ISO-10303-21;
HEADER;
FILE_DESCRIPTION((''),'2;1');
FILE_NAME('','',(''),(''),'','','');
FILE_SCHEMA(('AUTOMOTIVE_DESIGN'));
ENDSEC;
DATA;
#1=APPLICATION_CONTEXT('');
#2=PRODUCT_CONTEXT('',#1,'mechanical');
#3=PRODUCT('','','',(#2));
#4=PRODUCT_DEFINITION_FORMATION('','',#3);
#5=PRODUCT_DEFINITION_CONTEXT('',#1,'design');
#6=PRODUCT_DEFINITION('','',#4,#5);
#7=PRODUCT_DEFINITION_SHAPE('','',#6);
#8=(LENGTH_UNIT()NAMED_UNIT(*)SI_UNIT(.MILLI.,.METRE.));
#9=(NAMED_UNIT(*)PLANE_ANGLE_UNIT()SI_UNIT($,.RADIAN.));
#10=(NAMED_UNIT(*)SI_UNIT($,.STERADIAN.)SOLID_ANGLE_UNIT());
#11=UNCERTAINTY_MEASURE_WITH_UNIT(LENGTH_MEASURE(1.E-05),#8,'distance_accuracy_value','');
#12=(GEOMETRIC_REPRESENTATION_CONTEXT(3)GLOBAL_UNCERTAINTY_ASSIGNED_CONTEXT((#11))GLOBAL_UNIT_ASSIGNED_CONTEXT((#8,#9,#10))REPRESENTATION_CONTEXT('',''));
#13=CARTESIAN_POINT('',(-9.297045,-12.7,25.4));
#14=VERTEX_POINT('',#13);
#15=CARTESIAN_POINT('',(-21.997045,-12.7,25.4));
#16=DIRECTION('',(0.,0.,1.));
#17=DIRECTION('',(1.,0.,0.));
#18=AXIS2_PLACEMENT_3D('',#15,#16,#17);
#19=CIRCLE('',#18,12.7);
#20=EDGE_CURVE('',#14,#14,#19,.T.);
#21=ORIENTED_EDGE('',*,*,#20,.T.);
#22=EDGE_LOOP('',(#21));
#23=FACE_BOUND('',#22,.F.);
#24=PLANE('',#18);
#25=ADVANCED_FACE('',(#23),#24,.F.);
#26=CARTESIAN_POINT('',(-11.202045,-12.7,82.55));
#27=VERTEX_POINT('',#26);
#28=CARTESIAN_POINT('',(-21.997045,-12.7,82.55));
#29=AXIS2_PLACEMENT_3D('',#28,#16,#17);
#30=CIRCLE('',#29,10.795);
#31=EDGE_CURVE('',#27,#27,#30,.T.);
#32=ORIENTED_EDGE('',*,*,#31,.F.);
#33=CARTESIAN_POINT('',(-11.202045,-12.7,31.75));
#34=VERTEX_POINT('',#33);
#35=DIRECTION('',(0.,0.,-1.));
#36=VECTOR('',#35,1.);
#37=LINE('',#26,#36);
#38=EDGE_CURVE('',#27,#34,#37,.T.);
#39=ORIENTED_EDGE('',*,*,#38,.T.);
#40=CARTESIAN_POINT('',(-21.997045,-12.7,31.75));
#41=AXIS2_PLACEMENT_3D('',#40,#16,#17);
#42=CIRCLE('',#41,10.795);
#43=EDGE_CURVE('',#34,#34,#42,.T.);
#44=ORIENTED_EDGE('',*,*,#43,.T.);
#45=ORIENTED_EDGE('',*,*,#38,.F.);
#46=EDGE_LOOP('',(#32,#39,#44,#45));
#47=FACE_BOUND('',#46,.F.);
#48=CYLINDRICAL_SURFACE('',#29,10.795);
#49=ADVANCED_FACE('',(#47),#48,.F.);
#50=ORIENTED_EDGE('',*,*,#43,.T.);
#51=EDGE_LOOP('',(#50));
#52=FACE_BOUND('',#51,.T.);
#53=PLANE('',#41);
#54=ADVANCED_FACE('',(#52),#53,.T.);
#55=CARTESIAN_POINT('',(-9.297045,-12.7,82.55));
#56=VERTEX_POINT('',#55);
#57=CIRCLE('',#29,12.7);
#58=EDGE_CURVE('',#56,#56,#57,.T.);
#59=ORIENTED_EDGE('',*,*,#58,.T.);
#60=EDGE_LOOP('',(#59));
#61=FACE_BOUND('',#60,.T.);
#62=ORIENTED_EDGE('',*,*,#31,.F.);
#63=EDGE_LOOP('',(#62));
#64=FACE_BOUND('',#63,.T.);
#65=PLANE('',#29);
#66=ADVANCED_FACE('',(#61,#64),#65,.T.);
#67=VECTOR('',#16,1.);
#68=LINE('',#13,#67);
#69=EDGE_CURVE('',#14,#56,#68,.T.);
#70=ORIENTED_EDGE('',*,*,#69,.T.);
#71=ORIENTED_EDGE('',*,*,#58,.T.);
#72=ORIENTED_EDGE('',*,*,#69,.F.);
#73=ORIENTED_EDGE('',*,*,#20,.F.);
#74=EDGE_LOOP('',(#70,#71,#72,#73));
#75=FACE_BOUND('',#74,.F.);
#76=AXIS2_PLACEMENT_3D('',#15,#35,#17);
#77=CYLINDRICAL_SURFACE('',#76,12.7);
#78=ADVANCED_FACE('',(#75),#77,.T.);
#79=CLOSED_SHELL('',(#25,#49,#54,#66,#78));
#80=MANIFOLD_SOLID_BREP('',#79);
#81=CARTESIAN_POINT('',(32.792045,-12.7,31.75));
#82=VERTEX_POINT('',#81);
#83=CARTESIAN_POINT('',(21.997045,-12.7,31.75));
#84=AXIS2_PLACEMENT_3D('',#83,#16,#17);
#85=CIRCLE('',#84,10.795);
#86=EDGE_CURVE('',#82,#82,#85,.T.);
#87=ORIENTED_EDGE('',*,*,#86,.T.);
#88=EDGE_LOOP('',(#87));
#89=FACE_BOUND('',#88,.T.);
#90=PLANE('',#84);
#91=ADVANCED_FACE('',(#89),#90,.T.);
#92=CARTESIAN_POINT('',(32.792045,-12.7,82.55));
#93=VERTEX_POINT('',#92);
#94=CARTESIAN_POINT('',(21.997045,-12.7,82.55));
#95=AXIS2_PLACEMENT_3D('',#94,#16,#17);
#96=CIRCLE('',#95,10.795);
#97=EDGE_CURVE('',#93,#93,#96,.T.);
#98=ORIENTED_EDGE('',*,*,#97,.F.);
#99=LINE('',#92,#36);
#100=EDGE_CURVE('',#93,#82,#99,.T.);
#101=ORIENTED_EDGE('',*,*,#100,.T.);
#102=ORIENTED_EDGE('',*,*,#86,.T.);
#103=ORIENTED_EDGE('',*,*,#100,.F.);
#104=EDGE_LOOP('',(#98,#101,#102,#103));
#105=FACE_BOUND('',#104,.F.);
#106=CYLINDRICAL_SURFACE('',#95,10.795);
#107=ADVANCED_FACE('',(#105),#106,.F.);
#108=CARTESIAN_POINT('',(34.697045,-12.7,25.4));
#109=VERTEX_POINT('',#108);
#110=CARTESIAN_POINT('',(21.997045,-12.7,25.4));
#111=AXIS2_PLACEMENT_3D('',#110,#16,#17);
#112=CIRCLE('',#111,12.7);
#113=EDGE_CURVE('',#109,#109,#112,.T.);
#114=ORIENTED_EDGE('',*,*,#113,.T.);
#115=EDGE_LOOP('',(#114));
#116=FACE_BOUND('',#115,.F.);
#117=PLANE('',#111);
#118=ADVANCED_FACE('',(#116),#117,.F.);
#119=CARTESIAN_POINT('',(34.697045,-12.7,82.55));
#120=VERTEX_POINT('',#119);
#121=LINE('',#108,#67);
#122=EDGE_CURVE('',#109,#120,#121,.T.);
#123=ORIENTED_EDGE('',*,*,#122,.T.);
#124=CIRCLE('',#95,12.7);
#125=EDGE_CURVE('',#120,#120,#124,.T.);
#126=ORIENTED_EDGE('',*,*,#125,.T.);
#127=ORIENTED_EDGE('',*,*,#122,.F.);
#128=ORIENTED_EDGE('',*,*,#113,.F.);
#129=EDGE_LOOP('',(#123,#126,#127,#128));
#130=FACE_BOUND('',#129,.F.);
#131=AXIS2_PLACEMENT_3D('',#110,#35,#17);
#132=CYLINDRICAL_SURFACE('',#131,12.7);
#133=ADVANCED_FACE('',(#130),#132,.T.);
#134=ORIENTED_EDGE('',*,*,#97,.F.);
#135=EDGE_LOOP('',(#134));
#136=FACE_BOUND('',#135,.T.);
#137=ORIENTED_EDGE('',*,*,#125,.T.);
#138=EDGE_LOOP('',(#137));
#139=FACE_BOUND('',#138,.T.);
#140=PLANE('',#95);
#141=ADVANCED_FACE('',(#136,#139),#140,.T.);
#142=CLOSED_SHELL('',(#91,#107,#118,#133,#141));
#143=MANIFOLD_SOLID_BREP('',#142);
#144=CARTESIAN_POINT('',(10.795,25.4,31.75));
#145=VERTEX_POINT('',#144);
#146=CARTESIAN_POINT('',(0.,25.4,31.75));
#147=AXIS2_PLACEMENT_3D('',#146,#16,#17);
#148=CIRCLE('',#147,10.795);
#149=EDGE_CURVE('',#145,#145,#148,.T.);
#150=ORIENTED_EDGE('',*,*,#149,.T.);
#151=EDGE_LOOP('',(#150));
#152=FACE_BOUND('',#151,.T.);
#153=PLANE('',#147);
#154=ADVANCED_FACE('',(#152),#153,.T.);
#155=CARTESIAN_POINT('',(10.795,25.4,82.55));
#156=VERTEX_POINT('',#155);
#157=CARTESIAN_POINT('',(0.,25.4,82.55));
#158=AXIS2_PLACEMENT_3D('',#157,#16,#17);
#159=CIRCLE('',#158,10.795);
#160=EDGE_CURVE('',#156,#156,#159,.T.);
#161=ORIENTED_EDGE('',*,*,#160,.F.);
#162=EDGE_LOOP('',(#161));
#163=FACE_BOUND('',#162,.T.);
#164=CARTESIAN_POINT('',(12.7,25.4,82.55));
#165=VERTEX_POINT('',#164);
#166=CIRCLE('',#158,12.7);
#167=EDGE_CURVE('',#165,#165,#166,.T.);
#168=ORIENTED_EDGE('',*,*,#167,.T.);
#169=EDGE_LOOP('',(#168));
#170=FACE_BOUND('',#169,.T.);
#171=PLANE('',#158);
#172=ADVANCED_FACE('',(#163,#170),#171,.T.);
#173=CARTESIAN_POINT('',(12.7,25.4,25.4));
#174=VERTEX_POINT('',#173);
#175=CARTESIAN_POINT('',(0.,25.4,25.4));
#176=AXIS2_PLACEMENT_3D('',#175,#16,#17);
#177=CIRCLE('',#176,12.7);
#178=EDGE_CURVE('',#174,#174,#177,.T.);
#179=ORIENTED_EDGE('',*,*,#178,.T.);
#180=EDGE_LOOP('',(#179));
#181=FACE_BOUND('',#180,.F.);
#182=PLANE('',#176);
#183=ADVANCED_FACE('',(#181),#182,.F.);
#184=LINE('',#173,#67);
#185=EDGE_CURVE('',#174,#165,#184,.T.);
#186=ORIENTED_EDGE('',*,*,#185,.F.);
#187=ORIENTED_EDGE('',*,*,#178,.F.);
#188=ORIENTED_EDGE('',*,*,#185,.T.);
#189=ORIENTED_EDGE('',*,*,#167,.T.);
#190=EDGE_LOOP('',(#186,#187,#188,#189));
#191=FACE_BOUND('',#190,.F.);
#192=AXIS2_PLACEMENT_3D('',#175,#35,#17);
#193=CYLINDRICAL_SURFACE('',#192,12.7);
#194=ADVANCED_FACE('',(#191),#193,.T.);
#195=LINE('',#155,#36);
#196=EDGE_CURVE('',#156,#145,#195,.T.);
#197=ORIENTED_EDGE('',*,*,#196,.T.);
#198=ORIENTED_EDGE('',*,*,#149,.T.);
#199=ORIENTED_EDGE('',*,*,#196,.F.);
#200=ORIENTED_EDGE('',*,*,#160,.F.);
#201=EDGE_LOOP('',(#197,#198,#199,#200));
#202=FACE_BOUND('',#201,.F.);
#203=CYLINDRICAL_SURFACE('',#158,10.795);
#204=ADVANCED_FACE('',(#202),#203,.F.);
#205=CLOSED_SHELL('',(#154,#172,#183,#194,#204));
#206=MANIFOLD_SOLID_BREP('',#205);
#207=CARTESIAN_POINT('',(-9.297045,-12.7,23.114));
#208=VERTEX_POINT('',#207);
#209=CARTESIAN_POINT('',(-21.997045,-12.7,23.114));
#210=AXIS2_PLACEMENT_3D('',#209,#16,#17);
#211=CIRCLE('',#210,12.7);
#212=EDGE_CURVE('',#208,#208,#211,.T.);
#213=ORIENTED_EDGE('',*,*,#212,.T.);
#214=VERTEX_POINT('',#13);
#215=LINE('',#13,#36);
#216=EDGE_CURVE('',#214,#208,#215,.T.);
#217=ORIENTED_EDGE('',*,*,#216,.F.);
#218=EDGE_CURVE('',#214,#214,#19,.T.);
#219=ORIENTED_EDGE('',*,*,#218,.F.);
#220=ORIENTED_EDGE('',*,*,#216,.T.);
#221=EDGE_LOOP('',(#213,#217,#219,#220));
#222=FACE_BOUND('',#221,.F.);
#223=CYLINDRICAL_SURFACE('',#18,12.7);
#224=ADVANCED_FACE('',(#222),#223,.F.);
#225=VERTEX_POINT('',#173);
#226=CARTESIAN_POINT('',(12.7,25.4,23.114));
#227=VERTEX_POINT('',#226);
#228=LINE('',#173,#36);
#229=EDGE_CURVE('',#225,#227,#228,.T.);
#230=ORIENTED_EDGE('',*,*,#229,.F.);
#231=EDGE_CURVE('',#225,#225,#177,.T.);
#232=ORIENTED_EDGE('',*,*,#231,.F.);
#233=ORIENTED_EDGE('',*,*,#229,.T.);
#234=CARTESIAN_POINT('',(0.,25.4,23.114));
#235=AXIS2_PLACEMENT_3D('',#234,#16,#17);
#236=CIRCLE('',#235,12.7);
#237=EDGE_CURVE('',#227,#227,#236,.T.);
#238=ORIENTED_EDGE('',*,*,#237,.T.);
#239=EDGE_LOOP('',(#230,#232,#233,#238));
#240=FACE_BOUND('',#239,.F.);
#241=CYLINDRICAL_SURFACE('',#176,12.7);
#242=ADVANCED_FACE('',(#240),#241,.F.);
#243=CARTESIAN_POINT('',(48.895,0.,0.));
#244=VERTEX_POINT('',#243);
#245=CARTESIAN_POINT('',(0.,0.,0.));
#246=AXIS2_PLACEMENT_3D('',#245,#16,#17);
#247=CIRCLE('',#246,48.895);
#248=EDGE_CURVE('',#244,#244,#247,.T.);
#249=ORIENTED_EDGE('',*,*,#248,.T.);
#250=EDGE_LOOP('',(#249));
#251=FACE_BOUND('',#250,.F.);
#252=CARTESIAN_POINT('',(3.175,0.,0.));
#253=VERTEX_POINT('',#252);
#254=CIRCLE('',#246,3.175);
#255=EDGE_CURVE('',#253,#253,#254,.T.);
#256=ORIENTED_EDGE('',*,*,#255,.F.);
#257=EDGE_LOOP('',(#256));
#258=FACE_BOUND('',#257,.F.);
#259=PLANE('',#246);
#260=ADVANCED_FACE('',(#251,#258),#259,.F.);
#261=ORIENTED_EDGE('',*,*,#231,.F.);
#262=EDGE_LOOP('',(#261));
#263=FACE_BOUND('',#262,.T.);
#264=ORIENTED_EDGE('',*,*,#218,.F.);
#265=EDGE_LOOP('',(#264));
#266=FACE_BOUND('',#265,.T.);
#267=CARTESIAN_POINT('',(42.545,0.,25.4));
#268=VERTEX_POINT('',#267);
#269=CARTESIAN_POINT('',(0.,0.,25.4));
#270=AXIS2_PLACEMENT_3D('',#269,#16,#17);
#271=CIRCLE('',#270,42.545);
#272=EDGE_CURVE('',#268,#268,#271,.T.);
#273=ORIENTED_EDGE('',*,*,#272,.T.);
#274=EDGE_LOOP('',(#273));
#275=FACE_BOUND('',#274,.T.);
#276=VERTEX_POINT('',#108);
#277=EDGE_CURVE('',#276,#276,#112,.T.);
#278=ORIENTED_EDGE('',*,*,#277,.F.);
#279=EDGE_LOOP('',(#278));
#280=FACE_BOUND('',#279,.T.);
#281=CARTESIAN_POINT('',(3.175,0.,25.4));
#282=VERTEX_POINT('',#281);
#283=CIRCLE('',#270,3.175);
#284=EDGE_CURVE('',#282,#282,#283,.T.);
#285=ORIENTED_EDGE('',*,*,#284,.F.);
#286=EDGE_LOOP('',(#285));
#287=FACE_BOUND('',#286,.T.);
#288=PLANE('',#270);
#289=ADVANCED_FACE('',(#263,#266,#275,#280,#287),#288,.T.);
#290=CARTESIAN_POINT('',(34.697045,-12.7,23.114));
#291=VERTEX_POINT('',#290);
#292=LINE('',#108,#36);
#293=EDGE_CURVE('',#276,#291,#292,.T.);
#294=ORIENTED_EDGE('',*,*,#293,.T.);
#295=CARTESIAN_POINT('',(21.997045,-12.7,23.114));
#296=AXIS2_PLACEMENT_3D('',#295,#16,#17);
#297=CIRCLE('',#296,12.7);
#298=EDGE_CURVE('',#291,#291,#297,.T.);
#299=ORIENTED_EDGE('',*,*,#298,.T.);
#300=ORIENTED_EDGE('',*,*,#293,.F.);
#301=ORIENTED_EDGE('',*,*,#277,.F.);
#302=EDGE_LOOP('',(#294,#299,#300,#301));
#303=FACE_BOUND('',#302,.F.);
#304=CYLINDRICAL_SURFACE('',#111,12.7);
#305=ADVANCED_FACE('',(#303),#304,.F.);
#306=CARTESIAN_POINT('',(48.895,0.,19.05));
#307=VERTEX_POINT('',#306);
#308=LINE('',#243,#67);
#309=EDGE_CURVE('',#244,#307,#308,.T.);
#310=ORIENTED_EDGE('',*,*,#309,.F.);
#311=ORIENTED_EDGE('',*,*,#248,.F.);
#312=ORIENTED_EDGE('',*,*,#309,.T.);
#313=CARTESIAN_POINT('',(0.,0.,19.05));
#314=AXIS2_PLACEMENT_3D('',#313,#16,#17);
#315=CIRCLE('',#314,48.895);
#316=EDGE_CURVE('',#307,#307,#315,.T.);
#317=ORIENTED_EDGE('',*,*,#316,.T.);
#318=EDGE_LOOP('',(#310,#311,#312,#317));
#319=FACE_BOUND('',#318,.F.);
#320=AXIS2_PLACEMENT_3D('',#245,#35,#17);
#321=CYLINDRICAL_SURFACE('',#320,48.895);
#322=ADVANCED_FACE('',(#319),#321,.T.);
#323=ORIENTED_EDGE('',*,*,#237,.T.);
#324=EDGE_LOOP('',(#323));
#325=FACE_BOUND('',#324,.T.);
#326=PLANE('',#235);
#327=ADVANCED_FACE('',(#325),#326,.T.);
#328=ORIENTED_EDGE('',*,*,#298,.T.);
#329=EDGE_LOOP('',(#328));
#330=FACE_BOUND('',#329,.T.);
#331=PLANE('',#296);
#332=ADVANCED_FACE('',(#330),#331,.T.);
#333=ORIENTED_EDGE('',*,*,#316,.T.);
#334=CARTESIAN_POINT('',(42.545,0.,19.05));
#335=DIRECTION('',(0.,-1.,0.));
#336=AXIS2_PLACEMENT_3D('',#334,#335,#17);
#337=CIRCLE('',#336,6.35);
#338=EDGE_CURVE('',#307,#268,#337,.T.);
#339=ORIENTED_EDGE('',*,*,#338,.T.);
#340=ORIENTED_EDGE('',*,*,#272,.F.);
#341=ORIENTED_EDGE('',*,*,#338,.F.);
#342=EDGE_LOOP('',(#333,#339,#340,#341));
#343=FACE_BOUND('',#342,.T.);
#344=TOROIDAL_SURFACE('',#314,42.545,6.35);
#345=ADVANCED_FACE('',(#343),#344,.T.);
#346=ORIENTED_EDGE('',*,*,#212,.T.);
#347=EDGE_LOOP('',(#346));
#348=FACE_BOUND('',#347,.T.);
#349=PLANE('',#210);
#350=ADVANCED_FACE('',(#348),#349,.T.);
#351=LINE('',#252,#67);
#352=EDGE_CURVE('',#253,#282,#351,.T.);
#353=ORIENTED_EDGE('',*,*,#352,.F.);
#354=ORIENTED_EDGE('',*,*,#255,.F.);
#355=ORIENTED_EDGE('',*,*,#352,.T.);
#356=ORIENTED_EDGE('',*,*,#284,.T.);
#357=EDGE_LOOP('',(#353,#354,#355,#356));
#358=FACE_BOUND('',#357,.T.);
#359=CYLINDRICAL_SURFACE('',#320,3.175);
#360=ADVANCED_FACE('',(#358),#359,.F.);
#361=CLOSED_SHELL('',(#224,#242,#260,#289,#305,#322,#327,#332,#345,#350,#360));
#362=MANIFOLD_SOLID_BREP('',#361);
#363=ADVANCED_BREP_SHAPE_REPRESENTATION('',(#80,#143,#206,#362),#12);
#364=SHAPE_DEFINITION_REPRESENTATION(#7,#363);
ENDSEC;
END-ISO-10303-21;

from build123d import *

# Parameters (mm, degrees)
F0_R      = 48.895
F0_R_2    = 3.175
F1_DEPTH  = 25.4
F2_R      = 6.35
F3_R      = 12.7
F4_DEPTH  = 57.15
F5_R      = 10.795
F6_DEPTH  = 50.8
F7_R      = 10.795
F8_DEPTH  = 50.8
F9_R      = 10.795
F10_DEPTH = 50.8
F11_DEPTH = 2.286


with BuildPart() as f1:
    # F0 (on Top) → F1 (new body)
    with BuildSketch(Plane.XY):
        Circle(F0_R)
        Circle(F0_R_2, mode=Mode.SUBTRACT)
    extrude(amount=F1_DEPTH)

    # F2
    f2_edges = [f1.edges().sort_by_distance(p)[0] for p in [
        (-48.895, 0, 25.4),
    ]]
    fillet(f2_edges, radius=F2_R)

    # F3 (on face) → F4 (join)
    with BuildSketch(Plane.XY.offset(25.4)):
        with Locations((0, 25.4)):
            Circle(F3_R)
        with Locations((-21.997045, -12.7)):
            Circle(F3_R)
        with Locations((21.997045, -12.7)):
            Circle(F3_R)
    extrude(amount=F4_DEPTH)

    # F5 (on face) → F6 (cut)
    with BuildSketch(Plane.XY.offset(82.55)):
        with Locations((21.997045, -12.7)):
            Circle(F5_R)
    extrude(amount=-F6_DEPTH, mode=Mode.SUBTRACT)

    # F7 (on face) → F8 (cut)
    with BuildSketch(Plane.XY.offset(82.55)):
        with Locations((-21.997045, -12.7)):
            Circle(F7_R)
    extrude(amount=-F8_DEPTH, mode=Mode.SUBTRACT)

    # F9 (on face) → F10 (cut)
    with BuildSketch(Plane.XY.offset(82.55)):
        with Locations((0, 25.4)):
            Circle(F9_R)
    extrude(amount=-F10_DEPTH, mode=Mode.SUBTRACT)

    # F3 (on face) → F11 (cut)
    with BuildSketch(Plane.XY.offset(25.4)):
        with Locations((0, 25.4)):
            Circle(F3_R)
        with Locations((-21.997045, -12.7)):
            Circle(F3_R)
        with Locations((21.997045, -12.7)):
            Circle(F3_R)
    extrude(amount=-F11_DEPTH, mode=Mode.SUBTRACT)


solid = f1.part
